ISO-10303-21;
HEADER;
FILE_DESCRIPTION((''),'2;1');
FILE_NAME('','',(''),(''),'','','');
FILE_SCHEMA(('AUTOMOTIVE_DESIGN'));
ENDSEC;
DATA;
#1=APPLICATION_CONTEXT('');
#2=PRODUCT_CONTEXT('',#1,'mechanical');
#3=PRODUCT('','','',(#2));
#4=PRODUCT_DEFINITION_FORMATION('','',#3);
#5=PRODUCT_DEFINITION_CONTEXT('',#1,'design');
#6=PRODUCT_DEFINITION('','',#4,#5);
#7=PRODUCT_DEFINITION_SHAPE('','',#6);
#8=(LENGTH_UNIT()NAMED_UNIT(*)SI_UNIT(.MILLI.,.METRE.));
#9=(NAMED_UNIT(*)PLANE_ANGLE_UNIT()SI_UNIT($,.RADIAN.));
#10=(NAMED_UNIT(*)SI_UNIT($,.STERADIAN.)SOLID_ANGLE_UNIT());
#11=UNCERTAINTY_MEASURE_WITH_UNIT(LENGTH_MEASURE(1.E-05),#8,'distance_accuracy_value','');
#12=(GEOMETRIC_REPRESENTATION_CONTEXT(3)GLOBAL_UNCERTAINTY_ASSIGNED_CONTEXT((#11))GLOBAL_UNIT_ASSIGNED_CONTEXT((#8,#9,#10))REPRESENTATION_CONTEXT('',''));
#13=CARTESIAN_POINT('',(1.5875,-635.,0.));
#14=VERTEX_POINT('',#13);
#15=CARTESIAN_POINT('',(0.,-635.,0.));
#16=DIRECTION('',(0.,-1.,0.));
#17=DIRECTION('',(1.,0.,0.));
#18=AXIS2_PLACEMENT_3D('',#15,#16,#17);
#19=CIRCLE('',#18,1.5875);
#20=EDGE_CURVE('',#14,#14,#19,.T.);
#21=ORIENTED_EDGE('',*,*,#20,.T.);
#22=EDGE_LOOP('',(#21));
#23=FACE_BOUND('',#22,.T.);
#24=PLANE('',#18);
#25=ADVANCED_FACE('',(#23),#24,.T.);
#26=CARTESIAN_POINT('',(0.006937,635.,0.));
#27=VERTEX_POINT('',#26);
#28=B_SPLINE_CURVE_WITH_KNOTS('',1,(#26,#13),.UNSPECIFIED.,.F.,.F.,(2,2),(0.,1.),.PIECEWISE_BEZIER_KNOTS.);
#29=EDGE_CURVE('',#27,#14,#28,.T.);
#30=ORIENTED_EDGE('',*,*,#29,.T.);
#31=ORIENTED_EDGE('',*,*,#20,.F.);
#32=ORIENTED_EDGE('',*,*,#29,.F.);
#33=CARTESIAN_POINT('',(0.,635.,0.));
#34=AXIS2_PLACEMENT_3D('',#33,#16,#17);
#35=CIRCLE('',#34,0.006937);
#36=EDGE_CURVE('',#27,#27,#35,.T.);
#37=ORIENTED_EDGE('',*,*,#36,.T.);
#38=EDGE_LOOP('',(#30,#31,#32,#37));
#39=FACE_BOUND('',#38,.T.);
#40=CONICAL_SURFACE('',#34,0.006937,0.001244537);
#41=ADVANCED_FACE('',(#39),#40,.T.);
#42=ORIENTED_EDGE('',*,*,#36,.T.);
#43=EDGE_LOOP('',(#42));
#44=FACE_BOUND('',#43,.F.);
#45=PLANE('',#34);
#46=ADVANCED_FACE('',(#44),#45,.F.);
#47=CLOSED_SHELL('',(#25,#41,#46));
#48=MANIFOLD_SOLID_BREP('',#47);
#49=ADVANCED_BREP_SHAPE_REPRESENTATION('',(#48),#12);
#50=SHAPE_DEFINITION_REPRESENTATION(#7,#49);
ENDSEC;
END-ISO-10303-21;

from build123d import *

# Parameters (mm, degrees)
F3_R = 0.006937
F2_R = 1.5875


with BuildPart() as f4:
    # F3 (on offset) → F4 section 0
    with BuildSketch(Plane.XZ.offset(-635)):
        Circle(F3_R)
    # F2 (on offset) → F4 section 1
    with BuildSketch(Plane.XZ.offset(635)):
        Circle(F2_R)
    loft()


solid = f4.part
